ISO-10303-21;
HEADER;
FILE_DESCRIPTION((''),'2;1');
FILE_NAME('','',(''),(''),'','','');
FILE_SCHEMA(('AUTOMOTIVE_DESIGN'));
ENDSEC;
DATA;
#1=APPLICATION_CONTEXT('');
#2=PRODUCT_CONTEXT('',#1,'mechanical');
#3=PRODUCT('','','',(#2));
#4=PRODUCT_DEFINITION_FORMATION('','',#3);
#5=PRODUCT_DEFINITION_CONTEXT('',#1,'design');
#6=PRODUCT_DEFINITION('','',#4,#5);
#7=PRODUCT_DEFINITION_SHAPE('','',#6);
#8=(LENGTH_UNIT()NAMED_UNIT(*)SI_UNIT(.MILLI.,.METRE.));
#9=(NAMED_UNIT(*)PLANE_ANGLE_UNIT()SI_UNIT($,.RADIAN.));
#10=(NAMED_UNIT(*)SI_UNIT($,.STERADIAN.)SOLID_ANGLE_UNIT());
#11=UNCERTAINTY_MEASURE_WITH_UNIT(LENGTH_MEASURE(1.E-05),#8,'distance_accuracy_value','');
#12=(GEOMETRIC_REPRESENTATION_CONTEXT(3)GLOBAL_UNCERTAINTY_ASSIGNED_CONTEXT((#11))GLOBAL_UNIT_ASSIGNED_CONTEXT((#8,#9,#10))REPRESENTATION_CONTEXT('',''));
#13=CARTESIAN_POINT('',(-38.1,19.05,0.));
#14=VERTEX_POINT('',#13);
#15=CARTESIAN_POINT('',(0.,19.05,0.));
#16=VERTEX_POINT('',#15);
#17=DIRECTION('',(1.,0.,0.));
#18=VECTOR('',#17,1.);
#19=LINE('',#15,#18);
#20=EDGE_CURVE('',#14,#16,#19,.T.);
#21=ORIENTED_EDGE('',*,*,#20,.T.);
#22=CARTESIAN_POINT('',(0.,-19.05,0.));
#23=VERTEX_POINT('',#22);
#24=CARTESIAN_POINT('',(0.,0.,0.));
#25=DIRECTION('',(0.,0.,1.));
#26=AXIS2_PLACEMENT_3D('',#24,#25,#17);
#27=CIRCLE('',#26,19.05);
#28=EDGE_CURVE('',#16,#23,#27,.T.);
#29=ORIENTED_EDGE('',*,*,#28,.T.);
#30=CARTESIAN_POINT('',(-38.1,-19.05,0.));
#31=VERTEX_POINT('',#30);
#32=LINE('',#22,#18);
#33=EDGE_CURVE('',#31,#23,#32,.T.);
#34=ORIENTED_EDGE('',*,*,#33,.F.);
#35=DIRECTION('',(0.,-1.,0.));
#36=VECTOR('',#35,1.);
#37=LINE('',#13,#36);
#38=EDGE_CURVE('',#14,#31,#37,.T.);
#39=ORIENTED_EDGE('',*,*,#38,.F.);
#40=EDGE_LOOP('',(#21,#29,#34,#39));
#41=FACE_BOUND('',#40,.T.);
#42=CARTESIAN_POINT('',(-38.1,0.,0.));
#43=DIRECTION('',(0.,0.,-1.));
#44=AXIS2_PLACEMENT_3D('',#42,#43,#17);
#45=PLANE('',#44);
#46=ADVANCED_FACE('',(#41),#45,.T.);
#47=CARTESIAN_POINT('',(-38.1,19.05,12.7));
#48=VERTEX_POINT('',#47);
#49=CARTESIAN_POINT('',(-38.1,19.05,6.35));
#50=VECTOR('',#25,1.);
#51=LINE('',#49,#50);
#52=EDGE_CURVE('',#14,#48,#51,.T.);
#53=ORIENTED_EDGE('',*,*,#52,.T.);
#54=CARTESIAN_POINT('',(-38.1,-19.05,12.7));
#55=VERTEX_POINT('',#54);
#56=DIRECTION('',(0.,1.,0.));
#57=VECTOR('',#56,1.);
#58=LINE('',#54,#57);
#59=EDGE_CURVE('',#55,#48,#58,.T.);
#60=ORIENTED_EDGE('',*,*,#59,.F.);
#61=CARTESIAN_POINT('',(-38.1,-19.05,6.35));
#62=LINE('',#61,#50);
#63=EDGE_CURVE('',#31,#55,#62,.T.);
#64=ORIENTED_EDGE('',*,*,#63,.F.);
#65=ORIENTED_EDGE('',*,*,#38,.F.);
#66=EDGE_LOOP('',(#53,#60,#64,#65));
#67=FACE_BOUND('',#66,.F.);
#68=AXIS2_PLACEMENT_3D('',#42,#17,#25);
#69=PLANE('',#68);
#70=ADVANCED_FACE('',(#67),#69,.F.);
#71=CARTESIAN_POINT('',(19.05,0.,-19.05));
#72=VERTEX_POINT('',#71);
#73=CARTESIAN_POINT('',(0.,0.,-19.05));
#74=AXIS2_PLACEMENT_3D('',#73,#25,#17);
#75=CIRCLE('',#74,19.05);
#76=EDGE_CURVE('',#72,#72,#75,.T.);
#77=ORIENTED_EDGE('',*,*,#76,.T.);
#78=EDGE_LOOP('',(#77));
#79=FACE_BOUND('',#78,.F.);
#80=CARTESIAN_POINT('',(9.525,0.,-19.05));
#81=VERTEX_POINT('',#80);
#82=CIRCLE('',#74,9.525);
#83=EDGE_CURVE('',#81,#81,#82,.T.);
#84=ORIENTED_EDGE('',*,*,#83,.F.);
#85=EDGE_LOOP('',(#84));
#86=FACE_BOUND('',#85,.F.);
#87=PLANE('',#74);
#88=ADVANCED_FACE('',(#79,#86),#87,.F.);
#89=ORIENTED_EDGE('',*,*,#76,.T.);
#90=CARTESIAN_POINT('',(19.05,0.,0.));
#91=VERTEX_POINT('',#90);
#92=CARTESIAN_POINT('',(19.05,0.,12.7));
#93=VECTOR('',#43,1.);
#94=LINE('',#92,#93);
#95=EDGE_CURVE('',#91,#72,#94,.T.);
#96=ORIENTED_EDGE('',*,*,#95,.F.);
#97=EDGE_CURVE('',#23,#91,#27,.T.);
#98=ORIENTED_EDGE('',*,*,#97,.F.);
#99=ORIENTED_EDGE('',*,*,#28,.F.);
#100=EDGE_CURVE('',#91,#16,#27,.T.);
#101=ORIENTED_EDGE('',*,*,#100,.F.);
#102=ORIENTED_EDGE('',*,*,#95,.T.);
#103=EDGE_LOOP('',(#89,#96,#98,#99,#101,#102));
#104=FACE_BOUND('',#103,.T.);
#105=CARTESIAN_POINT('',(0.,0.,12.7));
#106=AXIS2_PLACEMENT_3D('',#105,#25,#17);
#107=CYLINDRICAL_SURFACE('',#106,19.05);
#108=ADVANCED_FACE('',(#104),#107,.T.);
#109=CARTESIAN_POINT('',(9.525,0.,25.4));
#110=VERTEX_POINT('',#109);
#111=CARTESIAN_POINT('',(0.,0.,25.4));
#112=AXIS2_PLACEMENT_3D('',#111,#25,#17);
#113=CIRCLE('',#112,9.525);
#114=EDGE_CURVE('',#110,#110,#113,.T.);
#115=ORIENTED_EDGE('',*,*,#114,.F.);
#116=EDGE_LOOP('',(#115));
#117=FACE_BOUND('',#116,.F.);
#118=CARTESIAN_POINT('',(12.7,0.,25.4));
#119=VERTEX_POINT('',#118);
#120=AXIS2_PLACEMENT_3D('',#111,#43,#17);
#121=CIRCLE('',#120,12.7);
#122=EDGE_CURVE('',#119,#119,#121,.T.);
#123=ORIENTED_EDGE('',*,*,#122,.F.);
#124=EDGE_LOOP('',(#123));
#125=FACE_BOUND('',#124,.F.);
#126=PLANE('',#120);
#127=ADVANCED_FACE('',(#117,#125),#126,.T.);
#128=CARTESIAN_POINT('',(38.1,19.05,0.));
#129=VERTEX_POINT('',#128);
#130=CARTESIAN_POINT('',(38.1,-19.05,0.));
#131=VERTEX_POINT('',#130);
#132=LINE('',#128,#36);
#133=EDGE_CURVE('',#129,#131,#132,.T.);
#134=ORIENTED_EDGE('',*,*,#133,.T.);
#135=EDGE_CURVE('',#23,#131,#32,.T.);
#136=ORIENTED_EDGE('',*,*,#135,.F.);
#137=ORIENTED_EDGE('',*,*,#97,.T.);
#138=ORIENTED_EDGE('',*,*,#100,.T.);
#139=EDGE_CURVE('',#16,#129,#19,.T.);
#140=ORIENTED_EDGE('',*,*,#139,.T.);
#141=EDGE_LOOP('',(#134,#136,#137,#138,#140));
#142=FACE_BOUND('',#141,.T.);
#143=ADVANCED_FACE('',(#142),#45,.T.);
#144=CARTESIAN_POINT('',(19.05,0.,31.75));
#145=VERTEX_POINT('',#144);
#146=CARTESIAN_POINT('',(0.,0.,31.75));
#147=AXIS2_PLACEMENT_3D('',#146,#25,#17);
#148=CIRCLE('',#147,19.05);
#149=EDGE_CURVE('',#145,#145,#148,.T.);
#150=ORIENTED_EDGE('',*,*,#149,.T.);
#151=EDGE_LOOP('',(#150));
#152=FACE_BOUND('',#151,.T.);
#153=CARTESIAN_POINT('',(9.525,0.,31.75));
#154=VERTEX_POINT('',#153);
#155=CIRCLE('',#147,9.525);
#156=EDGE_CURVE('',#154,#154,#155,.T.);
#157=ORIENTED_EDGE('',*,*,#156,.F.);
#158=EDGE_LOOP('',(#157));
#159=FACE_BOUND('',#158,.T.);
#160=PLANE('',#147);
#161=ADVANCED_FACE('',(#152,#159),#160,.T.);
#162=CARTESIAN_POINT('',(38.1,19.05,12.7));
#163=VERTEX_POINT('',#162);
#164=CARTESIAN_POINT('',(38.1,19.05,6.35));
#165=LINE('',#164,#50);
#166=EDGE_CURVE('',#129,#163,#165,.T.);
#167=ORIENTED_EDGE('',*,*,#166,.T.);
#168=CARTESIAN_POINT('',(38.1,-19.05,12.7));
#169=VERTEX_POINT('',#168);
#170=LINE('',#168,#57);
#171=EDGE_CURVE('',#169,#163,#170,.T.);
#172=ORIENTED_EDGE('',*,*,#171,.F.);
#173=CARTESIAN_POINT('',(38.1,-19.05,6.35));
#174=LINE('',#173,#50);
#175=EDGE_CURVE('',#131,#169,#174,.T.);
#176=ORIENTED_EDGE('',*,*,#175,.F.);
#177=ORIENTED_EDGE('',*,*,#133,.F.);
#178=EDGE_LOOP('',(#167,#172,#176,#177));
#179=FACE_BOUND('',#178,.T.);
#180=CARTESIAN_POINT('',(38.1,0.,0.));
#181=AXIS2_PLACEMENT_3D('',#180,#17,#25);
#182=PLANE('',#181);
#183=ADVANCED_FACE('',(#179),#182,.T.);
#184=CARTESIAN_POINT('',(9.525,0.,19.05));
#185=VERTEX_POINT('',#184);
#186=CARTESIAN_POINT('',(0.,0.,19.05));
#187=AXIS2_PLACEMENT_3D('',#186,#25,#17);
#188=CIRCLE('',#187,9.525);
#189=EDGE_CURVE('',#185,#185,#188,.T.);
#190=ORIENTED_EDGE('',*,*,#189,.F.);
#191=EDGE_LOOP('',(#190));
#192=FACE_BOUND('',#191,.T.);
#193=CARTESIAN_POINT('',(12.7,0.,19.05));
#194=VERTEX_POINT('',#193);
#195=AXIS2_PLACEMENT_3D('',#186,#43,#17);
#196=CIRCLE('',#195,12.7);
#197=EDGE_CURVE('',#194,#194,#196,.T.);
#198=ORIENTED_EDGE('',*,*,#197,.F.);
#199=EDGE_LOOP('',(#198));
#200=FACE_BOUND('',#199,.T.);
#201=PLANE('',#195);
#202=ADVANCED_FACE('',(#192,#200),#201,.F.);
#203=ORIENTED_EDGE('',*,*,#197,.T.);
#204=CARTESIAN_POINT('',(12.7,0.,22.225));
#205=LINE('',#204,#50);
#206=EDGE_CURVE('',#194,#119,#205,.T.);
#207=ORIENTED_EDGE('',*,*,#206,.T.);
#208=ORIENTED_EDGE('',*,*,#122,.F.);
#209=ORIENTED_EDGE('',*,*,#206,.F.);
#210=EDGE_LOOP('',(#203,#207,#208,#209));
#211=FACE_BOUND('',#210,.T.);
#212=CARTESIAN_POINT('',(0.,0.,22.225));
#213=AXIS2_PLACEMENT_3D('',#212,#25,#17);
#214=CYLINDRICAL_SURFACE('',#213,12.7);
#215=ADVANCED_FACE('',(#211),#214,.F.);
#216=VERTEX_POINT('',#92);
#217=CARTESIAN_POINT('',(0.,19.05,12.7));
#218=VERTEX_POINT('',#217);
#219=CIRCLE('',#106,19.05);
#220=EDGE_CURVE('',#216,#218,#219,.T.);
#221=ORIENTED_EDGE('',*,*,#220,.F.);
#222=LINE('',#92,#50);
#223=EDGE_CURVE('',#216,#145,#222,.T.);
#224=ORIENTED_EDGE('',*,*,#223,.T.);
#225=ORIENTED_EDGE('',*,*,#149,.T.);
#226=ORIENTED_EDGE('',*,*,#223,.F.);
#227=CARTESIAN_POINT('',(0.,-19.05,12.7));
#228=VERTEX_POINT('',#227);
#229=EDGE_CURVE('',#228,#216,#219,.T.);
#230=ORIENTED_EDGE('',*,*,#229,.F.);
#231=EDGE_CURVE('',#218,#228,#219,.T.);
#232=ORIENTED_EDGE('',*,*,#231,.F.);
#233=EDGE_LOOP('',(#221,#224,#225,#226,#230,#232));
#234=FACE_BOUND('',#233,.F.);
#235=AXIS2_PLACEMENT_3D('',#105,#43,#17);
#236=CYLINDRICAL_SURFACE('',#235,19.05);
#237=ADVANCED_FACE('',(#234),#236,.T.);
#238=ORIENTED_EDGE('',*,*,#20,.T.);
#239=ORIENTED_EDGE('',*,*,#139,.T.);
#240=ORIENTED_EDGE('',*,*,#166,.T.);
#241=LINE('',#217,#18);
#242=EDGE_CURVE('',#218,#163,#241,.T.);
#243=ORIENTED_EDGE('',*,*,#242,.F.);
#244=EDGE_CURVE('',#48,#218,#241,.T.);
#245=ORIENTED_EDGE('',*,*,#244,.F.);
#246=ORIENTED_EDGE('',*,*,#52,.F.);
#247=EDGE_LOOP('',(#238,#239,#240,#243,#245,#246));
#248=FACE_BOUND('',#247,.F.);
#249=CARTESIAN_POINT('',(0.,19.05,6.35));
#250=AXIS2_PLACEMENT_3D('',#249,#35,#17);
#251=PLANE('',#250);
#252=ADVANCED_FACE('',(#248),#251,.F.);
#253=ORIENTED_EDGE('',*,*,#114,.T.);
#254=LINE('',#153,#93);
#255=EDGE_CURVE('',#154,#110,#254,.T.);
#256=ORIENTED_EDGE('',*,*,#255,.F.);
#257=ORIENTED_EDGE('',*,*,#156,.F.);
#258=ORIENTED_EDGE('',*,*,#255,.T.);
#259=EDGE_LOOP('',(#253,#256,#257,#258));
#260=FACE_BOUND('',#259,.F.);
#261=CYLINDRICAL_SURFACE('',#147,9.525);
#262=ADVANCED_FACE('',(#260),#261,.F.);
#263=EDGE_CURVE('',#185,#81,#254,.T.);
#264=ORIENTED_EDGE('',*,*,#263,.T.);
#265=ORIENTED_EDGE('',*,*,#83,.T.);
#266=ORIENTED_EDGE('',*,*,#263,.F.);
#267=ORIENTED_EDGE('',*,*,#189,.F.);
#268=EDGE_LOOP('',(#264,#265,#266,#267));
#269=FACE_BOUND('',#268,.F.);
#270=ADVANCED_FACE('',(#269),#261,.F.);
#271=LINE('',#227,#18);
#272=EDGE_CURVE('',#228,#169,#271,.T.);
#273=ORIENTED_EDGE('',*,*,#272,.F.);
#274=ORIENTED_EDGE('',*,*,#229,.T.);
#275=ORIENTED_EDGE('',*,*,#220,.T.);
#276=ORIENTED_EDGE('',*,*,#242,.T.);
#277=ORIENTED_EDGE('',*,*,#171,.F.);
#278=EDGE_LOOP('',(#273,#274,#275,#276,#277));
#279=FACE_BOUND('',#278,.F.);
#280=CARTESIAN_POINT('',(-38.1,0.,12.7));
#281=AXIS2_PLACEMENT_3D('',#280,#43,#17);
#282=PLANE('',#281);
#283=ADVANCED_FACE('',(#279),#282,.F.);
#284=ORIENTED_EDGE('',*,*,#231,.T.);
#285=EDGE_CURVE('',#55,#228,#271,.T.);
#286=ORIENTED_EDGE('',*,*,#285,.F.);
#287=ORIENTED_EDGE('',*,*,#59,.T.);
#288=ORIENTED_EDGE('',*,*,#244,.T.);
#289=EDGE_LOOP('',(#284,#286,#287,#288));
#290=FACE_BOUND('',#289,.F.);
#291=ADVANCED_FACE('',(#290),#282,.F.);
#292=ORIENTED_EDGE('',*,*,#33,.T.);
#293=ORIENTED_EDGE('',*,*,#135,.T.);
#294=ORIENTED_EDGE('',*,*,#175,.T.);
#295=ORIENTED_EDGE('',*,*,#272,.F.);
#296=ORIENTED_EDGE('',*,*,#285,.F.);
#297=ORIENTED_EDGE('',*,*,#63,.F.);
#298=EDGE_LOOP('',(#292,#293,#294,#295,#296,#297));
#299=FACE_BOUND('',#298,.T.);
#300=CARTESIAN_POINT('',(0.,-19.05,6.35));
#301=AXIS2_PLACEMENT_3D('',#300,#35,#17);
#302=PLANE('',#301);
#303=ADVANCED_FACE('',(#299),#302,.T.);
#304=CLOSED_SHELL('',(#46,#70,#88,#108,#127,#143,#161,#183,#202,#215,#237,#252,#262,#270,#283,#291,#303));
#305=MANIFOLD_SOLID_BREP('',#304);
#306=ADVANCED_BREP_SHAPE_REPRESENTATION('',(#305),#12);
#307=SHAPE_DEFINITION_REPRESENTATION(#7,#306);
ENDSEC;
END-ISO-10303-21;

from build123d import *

# Parameters (mm, degrees)
F0_W          = 76.2
F0_H          = 12.7
F1_DEPTH      = 19.05
F2_R          = 19.05
F3_DEPTH      = 19.05
F3_DEPTH_BACK = 31.75
F4_R          = 9.525
F5_DEPTH      = 50.801
F6_W          = 12.7
F6_H          = 6.35


with BuildPart() as f1:
    # F0 (on Front) → F1 (new body, symmetric)
    with BuildSketch(Plane.XZ):
        with Locations((0, 6.35)):
            Rectangle(F0_W, F0_H)
    extrude(amount=F1_DEPTH, both=True)

    # F2 (on face) → F3 (join, two sides)
    with BuildSketch(Plane.XY.offset(12.7)) as f3_sk:
        Circle(F2_R)
    extrude(amount=F3_DEPTH)
    extrude(f3_sk.sketch, amount=-F3_DEPTH_BACK)

    # F4 (on face) → F5 (cut, through all)
    with BuildSketch(Plane.XY.offset(31.75)):
        Circle(F4_R)
    extrude(amount=-F5_DEPTH, mode=Mode.SUBTRACT)

    # F6 (on Front) → F7 (revolve, cut)
    with BuildSketch(Plane.XZ):
        with Locations((6.35, 22.225)):
            Rectangle(F6_W, F6_H)
    revolve(axis=Axis((0, 0, 19.451374), (0, 0, -1)), mode=Mode.SUBTRACT)


solid = f1.part
